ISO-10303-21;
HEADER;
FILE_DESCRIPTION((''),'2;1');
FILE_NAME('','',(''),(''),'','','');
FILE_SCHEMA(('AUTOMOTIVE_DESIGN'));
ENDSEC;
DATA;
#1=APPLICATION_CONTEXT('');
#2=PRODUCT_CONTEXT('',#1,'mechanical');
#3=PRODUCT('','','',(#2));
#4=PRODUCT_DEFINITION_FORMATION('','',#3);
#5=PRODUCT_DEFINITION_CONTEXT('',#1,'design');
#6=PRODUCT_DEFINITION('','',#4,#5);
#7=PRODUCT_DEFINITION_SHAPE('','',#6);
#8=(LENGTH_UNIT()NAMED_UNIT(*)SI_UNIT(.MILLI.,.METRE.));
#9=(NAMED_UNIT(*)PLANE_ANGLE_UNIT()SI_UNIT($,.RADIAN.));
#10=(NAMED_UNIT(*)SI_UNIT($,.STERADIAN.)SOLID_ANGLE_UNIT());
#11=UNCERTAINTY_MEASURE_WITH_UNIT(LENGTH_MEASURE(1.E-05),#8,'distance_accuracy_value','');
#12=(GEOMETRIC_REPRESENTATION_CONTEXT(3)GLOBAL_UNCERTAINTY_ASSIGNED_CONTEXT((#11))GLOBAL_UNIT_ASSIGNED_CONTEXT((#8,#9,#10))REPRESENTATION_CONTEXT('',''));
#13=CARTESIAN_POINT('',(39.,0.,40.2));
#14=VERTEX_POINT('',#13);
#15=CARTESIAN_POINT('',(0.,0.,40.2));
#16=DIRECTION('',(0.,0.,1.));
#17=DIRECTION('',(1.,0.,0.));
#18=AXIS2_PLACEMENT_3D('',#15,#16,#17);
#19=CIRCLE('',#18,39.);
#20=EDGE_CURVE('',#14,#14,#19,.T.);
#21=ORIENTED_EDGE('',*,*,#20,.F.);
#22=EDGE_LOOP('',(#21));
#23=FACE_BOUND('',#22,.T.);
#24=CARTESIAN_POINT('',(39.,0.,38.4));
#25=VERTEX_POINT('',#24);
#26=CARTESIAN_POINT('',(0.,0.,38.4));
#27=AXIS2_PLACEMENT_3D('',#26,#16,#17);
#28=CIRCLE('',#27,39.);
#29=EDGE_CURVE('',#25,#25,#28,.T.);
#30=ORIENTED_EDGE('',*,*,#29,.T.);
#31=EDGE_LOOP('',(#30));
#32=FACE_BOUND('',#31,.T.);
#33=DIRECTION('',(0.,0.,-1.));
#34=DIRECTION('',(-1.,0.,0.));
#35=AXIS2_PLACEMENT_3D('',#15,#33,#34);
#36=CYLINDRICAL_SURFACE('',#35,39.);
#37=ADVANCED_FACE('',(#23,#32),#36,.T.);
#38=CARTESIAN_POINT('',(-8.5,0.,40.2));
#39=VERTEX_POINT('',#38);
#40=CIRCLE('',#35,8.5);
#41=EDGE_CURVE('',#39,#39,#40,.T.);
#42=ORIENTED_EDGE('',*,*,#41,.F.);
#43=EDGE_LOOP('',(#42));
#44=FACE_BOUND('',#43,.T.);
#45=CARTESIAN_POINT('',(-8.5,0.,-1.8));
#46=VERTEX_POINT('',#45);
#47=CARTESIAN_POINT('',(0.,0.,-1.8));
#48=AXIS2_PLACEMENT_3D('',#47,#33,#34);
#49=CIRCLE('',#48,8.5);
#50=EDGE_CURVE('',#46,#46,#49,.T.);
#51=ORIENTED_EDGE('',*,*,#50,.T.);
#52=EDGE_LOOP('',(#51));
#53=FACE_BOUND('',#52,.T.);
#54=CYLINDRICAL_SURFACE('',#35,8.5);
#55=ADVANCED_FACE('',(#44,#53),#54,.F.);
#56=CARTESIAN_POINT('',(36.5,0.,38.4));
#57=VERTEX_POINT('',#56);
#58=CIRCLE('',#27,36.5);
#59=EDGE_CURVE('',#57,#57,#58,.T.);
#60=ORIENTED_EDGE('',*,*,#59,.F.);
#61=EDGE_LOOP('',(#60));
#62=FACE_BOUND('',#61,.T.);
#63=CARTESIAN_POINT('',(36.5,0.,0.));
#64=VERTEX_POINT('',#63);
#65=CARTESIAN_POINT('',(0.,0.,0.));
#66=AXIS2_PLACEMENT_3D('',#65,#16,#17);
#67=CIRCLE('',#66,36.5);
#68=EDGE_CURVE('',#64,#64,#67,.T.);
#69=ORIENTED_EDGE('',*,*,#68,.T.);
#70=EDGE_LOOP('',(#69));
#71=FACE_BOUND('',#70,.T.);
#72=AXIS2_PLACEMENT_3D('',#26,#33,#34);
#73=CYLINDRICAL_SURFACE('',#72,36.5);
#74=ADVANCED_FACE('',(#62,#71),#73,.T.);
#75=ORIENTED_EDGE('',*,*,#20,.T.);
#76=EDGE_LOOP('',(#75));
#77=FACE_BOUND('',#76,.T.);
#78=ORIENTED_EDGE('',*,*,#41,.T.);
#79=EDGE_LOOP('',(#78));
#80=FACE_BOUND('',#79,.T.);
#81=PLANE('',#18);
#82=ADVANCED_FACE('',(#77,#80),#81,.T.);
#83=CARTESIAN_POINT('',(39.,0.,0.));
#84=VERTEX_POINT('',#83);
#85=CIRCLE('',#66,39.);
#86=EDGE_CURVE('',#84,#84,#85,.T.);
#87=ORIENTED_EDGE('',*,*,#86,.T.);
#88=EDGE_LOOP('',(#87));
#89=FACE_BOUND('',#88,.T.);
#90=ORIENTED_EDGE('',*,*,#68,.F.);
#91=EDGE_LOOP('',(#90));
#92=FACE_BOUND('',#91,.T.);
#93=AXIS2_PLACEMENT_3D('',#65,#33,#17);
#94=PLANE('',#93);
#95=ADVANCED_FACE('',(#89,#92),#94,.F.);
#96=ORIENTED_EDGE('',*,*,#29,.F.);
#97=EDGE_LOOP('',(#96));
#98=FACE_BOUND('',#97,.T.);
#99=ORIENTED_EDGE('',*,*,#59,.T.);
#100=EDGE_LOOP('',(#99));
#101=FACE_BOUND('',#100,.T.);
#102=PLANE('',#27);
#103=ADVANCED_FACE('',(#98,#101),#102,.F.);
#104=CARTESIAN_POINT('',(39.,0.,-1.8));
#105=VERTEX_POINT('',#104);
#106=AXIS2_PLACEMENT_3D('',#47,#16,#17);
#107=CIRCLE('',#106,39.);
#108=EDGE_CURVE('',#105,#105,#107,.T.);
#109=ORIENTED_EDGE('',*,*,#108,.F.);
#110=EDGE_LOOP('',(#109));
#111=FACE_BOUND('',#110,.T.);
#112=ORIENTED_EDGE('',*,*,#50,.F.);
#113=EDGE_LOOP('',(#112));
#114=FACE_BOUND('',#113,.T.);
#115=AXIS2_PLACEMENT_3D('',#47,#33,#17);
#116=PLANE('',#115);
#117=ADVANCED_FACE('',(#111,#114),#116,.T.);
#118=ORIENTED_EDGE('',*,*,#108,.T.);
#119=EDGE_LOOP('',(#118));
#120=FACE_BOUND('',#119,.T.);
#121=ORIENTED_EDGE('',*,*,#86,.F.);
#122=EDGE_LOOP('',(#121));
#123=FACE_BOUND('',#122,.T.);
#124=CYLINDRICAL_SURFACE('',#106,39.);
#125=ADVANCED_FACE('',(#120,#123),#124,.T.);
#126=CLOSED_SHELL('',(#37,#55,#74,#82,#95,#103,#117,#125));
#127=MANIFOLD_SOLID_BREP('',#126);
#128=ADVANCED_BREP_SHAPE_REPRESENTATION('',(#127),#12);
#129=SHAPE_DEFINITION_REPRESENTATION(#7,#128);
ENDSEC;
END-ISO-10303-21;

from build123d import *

# Parameters (mm, degrees)
CROQUIS1_R              = 36.5
SALIENTE_EXTRUIR1_DEPTH = 38.4
CROQUIS2_R              = 39
SALIENTE_EXTRUIR2_DEPTH = 1.8
CROQUIS3_R              = 8.5
CORTAR_EXTRUIR1_DEPTH   = 43


with BuildPart() as part:
    # Croquis1 → Saliente-Extruir1 (new body)
    with BuildSketch(Plane.XY):
        Circle(CROQUIS1_R)
    extrude(amount=SALIENTE_EXTRUIR1_DEPTH)

    # Croquis2 → Saliente-Extruir2 (add)
    with BuildSketch(Plane.XY.offset(38.4)):
        Circle(CROQUIS2_R)
    saliente_extruir2 = extrude(amount=SALIENTE_EXTRUIR2_DEPTH)

    # Simetría1: Saliente-Extruir2 across plane
    add(saliente_extruir2.mirror(Plane(origin=(0, 0, 19.2), x_dir=(1, 0, 0), z_dir=(0, 0, -1))))

    # Croquis3 → Cortar-Extruir1 (cut, through all)
    with BuildSketch(Plane(origin=(0, 0, -1.8), x_dir=(-1, 0, 0), z_dir=(0, 0, -1))):
        Circle(CROQUIS3_R)
    extrude(amount=-CORTAR_EXTRUIR1_DEPTH, mode=Mode.SUBTRACT)


solid = part.part
